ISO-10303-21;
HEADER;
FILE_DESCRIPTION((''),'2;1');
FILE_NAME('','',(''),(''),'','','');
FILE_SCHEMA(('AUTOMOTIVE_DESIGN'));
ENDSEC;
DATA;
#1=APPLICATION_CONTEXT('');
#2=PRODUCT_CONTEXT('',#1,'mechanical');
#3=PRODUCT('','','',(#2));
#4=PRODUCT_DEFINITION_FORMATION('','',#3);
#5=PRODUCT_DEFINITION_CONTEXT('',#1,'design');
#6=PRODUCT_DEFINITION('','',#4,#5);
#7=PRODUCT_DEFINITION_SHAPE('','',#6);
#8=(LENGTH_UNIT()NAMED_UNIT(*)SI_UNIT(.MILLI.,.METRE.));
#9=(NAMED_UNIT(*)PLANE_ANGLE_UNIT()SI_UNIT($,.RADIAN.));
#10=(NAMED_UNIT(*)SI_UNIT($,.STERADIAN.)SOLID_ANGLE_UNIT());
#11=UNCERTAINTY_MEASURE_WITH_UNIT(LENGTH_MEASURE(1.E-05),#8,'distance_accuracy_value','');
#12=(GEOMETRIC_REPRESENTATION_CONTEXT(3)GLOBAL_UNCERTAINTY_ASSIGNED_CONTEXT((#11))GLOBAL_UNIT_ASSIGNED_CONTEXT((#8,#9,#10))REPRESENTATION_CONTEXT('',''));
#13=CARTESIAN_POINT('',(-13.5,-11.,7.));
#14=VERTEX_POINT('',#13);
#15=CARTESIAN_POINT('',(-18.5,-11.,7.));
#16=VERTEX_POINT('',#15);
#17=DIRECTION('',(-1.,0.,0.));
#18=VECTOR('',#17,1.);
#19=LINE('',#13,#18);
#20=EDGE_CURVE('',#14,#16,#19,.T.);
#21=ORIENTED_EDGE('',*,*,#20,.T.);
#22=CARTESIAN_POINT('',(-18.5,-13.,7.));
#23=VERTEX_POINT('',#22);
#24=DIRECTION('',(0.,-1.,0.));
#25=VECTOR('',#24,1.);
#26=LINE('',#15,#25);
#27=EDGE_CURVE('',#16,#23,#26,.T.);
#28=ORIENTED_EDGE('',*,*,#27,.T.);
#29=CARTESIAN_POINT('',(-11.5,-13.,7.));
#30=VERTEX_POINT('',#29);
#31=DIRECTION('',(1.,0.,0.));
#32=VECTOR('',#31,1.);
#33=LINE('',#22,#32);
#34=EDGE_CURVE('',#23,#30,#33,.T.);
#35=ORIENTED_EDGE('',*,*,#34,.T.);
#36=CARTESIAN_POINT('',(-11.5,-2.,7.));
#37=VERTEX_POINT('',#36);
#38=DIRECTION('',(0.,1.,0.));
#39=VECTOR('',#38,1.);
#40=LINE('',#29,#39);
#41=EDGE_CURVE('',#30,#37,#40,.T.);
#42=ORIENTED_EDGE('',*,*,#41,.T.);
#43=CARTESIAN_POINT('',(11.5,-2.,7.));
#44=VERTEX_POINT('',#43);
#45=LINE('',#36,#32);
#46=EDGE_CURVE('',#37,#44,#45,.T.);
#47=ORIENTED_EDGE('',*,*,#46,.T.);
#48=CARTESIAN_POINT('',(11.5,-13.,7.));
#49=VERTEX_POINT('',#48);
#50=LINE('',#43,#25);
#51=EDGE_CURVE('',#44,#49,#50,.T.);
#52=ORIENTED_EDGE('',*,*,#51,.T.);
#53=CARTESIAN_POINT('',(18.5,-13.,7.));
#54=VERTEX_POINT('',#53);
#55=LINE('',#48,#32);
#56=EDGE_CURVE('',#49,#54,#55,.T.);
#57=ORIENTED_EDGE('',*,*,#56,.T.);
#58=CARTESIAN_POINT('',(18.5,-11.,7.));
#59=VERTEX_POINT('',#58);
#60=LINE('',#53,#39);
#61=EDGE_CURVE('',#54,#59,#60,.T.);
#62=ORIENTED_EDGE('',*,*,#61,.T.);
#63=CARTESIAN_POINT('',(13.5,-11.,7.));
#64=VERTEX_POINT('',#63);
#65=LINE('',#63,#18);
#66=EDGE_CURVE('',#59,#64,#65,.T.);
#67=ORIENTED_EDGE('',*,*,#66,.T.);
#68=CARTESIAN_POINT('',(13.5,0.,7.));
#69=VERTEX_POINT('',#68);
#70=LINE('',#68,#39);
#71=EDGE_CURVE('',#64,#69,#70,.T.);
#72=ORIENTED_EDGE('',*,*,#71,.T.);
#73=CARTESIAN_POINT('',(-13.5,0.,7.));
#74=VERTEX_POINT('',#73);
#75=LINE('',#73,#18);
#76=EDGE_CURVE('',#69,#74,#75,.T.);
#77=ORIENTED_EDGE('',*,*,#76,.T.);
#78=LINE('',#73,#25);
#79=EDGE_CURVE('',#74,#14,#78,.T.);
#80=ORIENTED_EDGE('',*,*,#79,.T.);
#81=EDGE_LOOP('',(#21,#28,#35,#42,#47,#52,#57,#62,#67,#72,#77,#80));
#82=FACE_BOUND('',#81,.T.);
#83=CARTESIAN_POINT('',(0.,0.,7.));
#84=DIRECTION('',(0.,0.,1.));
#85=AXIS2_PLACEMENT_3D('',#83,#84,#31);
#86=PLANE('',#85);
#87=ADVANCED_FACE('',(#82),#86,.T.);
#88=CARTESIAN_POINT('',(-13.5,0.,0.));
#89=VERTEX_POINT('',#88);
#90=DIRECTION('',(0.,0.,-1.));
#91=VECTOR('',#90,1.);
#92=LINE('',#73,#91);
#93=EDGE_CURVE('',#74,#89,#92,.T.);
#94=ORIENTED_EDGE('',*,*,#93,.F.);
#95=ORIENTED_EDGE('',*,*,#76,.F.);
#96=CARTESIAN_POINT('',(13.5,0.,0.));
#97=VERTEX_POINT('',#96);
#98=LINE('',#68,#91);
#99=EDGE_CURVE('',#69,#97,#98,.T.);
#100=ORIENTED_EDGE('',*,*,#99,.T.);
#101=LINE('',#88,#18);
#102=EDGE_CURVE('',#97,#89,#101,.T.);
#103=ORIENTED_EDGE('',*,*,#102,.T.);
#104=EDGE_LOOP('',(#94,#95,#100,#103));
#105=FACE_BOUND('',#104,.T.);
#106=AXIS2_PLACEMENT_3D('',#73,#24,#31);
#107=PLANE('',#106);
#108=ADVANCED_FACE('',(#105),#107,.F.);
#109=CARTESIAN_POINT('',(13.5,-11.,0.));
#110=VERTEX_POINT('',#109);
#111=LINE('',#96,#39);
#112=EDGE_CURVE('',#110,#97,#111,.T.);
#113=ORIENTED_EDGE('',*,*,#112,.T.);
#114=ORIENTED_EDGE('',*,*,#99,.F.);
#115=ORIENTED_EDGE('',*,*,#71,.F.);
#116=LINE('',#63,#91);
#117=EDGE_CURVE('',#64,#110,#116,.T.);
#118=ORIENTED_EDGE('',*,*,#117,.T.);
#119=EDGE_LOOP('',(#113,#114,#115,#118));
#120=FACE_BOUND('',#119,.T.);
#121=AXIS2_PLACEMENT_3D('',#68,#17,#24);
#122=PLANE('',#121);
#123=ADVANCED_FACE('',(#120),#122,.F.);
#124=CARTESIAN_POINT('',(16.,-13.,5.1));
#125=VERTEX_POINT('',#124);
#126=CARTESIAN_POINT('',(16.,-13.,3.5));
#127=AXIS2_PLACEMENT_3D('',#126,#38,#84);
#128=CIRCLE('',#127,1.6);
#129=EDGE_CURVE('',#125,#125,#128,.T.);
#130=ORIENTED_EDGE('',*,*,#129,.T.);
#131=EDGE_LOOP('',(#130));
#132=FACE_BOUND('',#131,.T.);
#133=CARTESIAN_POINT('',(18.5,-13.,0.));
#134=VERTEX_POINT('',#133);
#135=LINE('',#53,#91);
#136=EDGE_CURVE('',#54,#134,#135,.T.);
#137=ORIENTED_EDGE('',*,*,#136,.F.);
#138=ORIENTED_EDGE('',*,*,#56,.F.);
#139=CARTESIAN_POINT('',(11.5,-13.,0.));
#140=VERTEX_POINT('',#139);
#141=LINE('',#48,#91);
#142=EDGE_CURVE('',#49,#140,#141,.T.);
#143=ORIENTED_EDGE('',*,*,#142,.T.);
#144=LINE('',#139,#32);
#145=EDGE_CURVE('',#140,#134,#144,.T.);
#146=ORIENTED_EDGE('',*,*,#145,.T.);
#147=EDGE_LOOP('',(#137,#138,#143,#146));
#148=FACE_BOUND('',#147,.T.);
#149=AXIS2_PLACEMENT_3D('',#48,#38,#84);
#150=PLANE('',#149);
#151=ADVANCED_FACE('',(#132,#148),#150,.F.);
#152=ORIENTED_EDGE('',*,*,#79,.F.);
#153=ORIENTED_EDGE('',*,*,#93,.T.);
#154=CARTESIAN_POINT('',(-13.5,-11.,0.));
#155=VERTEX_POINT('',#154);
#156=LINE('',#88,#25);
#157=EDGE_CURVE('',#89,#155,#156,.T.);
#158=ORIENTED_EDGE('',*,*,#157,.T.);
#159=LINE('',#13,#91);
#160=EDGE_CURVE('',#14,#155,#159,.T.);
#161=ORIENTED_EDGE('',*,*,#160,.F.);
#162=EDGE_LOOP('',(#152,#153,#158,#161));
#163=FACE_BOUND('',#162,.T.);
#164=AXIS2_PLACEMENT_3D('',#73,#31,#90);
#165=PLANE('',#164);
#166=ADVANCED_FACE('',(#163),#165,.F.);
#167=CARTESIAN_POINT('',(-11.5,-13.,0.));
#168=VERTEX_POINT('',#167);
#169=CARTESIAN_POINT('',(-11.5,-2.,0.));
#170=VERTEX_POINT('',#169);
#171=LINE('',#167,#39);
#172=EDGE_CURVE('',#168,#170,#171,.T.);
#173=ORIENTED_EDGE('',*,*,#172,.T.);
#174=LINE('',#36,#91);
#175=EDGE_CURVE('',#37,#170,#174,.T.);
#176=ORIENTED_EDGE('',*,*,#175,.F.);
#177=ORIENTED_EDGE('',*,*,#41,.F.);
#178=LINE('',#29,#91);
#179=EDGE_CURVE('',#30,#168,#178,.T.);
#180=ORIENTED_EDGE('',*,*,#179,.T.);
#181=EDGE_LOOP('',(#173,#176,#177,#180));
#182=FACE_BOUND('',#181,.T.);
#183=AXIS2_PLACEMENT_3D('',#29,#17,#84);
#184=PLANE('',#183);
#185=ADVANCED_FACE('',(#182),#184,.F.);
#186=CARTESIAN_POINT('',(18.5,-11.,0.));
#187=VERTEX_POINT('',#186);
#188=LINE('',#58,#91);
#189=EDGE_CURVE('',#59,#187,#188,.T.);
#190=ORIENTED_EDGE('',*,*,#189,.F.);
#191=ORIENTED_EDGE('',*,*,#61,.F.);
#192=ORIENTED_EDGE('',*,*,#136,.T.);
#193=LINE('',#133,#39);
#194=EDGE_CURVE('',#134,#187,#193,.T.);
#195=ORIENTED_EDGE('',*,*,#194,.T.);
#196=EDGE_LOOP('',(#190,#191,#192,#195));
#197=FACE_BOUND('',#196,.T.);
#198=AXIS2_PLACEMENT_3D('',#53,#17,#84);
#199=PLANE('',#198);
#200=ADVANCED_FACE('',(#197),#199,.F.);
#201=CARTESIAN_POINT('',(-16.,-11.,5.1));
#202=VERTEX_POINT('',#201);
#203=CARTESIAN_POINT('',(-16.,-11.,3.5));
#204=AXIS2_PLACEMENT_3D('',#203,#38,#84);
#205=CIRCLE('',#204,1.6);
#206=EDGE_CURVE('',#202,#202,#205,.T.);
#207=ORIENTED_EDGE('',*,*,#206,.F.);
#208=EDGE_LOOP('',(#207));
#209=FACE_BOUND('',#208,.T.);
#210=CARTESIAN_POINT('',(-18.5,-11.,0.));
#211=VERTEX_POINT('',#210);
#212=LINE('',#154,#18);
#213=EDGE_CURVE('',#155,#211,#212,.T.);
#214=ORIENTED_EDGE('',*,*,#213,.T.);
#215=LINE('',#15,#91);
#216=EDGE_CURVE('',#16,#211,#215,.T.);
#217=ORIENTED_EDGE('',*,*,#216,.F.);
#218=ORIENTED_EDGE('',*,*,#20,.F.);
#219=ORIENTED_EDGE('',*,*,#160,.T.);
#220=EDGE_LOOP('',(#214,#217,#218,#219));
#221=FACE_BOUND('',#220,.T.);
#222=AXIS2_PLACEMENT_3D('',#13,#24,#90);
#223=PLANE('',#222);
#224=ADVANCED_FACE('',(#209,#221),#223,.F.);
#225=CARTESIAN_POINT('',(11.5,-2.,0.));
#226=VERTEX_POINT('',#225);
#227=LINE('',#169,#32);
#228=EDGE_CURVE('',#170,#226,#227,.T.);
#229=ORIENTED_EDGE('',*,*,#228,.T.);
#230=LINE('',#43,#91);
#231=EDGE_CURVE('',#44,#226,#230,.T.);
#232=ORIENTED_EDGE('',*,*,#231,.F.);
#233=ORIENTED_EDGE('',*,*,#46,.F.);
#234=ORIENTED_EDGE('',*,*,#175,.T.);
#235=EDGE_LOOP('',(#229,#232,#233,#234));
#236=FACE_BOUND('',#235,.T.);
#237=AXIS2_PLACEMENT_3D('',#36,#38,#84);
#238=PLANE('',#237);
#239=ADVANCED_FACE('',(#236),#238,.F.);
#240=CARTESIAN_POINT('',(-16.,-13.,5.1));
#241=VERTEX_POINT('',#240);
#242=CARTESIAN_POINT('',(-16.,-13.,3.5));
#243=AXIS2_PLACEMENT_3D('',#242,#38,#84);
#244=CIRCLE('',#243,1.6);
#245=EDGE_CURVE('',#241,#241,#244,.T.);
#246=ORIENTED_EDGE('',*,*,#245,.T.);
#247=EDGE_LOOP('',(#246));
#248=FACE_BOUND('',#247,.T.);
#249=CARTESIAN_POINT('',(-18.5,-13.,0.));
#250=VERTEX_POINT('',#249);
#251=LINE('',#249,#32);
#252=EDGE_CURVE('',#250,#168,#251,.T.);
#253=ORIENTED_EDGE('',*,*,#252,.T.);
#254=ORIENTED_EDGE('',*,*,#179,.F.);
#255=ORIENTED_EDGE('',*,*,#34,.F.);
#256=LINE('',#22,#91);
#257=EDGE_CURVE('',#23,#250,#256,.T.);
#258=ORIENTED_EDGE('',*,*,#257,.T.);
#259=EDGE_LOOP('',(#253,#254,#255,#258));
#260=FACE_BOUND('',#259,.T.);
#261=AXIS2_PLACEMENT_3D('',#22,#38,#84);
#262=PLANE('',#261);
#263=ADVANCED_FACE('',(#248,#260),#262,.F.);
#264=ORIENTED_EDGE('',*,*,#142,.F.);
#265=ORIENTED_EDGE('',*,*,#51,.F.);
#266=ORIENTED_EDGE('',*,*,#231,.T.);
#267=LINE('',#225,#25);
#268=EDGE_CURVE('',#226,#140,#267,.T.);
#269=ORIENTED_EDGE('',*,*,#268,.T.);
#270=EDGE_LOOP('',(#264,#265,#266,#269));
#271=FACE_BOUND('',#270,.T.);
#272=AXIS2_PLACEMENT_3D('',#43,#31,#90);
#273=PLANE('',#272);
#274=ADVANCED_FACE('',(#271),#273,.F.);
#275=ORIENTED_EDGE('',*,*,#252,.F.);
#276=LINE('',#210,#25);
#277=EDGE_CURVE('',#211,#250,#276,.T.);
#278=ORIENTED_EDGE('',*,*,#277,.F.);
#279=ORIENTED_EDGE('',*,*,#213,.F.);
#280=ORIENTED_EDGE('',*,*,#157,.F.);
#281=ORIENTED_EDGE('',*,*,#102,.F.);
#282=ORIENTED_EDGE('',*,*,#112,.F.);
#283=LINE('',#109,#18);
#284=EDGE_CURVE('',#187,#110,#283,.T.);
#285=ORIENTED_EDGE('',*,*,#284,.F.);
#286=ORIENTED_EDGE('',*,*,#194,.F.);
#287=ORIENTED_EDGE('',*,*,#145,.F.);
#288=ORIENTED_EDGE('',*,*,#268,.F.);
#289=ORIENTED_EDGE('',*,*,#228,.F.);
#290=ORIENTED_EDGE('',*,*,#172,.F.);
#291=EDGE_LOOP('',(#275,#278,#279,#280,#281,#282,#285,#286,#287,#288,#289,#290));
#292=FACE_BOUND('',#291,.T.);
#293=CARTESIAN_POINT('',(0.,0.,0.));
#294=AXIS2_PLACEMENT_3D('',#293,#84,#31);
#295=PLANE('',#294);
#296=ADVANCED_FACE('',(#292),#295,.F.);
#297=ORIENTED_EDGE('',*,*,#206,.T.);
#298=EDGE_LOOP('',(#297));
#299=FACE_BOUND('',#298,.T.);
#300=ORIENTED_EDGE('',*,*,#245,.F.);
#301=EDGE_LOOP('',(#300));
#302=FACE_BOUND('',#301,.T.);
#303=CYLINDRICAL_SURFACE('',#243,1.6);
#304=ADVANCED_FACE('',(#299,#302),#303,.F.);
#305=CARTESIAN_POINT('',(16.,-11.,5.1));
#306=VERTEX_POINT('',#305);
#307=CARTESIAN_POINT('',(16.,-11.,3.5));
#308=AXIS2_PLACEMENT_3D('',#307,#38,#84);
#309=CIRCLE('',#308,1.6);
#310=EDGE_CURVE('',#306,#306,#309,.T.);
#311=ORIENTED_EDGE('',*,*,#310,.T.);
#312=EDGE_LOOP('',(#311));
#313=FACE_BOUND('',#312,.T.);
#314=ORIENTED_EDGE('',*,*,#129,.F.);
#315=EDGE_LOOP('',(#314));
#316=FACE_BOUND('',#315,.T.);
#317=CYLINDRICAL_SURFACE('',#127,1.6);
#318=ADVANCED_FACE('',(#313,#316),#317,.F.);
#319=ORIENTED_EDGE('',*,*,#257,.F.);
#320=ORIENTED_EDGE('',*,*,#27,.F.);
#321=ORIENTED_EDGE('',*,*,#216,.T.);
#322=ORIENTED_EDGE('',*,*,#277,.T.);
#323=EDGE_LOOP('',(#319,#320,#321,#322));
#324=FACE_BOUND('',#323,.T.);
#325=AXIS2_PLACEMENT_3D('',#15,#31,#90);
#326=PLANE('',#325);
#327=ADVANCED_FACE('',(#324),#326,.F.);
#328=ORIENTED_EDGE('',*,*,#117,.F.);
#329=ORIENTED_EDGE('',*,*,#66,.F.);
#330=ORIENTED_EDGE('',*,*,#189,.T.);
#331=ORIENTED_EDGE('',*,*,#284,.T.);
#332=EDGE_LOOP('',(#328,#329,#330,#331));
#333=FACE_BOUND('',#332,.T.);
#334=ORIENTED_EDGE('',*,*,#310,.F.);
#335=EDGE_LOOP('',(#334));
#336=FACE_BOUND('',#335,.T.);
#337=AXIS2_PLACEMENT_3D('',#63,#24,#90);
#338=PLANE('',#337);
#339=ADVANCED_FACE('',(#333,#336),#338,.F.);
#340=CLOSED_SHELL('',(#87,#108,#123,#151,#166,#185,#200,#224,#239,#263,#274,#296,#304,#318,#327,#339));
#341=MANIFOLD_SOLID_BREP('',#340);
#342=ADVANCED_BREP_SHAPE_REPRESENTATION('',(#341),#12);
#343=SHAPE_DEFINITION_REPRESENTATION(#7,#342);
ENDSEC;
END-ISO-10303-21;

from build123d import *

# Parameters (mm, degrees)
EXTRUDE_1_DEPTH     = 7
SKETCH_2_R          = 1.6
CUT_EXTRUDE_1_DEPTH = 2


with BuildPart() as part:
    # 草圖1 → 填料-伸長1 (new body)
    with BuildSketch(Plane.XY):
        Polygon((-13.5, 0), (13.5, 0), (13.5, -11), (18.5, -11), (18.5, -13), (11.5, -13), (11.5, -2), (-11.5, -2), (-11.5, -13), (-18.5, -13), (-18.5, -11), (-13.5, -11), align=None)
    extrude(amount=EXTRUDE_1_DEPTH)

    # 草圖2 → 除料-伸長1 (cut)
    with BuildSketch(Plane(origin=(0, -11, 0), x_dir=(1, 0, 0), z_dir=(0, 1, 0))):
        with Locations(Location((16, -3.5, 0), (0, 0, 270))):
            Circle(SKETCH_2_R)
        with Locations(Location((-16, -3.5, 0), (0, 0, 270))):
            Circle(SKETCH_2_R)
    extrude(amount=-CUT_EXTRUDE_1_DEPTH, mode=Mode.SUBTRACT)


solid = part.part
